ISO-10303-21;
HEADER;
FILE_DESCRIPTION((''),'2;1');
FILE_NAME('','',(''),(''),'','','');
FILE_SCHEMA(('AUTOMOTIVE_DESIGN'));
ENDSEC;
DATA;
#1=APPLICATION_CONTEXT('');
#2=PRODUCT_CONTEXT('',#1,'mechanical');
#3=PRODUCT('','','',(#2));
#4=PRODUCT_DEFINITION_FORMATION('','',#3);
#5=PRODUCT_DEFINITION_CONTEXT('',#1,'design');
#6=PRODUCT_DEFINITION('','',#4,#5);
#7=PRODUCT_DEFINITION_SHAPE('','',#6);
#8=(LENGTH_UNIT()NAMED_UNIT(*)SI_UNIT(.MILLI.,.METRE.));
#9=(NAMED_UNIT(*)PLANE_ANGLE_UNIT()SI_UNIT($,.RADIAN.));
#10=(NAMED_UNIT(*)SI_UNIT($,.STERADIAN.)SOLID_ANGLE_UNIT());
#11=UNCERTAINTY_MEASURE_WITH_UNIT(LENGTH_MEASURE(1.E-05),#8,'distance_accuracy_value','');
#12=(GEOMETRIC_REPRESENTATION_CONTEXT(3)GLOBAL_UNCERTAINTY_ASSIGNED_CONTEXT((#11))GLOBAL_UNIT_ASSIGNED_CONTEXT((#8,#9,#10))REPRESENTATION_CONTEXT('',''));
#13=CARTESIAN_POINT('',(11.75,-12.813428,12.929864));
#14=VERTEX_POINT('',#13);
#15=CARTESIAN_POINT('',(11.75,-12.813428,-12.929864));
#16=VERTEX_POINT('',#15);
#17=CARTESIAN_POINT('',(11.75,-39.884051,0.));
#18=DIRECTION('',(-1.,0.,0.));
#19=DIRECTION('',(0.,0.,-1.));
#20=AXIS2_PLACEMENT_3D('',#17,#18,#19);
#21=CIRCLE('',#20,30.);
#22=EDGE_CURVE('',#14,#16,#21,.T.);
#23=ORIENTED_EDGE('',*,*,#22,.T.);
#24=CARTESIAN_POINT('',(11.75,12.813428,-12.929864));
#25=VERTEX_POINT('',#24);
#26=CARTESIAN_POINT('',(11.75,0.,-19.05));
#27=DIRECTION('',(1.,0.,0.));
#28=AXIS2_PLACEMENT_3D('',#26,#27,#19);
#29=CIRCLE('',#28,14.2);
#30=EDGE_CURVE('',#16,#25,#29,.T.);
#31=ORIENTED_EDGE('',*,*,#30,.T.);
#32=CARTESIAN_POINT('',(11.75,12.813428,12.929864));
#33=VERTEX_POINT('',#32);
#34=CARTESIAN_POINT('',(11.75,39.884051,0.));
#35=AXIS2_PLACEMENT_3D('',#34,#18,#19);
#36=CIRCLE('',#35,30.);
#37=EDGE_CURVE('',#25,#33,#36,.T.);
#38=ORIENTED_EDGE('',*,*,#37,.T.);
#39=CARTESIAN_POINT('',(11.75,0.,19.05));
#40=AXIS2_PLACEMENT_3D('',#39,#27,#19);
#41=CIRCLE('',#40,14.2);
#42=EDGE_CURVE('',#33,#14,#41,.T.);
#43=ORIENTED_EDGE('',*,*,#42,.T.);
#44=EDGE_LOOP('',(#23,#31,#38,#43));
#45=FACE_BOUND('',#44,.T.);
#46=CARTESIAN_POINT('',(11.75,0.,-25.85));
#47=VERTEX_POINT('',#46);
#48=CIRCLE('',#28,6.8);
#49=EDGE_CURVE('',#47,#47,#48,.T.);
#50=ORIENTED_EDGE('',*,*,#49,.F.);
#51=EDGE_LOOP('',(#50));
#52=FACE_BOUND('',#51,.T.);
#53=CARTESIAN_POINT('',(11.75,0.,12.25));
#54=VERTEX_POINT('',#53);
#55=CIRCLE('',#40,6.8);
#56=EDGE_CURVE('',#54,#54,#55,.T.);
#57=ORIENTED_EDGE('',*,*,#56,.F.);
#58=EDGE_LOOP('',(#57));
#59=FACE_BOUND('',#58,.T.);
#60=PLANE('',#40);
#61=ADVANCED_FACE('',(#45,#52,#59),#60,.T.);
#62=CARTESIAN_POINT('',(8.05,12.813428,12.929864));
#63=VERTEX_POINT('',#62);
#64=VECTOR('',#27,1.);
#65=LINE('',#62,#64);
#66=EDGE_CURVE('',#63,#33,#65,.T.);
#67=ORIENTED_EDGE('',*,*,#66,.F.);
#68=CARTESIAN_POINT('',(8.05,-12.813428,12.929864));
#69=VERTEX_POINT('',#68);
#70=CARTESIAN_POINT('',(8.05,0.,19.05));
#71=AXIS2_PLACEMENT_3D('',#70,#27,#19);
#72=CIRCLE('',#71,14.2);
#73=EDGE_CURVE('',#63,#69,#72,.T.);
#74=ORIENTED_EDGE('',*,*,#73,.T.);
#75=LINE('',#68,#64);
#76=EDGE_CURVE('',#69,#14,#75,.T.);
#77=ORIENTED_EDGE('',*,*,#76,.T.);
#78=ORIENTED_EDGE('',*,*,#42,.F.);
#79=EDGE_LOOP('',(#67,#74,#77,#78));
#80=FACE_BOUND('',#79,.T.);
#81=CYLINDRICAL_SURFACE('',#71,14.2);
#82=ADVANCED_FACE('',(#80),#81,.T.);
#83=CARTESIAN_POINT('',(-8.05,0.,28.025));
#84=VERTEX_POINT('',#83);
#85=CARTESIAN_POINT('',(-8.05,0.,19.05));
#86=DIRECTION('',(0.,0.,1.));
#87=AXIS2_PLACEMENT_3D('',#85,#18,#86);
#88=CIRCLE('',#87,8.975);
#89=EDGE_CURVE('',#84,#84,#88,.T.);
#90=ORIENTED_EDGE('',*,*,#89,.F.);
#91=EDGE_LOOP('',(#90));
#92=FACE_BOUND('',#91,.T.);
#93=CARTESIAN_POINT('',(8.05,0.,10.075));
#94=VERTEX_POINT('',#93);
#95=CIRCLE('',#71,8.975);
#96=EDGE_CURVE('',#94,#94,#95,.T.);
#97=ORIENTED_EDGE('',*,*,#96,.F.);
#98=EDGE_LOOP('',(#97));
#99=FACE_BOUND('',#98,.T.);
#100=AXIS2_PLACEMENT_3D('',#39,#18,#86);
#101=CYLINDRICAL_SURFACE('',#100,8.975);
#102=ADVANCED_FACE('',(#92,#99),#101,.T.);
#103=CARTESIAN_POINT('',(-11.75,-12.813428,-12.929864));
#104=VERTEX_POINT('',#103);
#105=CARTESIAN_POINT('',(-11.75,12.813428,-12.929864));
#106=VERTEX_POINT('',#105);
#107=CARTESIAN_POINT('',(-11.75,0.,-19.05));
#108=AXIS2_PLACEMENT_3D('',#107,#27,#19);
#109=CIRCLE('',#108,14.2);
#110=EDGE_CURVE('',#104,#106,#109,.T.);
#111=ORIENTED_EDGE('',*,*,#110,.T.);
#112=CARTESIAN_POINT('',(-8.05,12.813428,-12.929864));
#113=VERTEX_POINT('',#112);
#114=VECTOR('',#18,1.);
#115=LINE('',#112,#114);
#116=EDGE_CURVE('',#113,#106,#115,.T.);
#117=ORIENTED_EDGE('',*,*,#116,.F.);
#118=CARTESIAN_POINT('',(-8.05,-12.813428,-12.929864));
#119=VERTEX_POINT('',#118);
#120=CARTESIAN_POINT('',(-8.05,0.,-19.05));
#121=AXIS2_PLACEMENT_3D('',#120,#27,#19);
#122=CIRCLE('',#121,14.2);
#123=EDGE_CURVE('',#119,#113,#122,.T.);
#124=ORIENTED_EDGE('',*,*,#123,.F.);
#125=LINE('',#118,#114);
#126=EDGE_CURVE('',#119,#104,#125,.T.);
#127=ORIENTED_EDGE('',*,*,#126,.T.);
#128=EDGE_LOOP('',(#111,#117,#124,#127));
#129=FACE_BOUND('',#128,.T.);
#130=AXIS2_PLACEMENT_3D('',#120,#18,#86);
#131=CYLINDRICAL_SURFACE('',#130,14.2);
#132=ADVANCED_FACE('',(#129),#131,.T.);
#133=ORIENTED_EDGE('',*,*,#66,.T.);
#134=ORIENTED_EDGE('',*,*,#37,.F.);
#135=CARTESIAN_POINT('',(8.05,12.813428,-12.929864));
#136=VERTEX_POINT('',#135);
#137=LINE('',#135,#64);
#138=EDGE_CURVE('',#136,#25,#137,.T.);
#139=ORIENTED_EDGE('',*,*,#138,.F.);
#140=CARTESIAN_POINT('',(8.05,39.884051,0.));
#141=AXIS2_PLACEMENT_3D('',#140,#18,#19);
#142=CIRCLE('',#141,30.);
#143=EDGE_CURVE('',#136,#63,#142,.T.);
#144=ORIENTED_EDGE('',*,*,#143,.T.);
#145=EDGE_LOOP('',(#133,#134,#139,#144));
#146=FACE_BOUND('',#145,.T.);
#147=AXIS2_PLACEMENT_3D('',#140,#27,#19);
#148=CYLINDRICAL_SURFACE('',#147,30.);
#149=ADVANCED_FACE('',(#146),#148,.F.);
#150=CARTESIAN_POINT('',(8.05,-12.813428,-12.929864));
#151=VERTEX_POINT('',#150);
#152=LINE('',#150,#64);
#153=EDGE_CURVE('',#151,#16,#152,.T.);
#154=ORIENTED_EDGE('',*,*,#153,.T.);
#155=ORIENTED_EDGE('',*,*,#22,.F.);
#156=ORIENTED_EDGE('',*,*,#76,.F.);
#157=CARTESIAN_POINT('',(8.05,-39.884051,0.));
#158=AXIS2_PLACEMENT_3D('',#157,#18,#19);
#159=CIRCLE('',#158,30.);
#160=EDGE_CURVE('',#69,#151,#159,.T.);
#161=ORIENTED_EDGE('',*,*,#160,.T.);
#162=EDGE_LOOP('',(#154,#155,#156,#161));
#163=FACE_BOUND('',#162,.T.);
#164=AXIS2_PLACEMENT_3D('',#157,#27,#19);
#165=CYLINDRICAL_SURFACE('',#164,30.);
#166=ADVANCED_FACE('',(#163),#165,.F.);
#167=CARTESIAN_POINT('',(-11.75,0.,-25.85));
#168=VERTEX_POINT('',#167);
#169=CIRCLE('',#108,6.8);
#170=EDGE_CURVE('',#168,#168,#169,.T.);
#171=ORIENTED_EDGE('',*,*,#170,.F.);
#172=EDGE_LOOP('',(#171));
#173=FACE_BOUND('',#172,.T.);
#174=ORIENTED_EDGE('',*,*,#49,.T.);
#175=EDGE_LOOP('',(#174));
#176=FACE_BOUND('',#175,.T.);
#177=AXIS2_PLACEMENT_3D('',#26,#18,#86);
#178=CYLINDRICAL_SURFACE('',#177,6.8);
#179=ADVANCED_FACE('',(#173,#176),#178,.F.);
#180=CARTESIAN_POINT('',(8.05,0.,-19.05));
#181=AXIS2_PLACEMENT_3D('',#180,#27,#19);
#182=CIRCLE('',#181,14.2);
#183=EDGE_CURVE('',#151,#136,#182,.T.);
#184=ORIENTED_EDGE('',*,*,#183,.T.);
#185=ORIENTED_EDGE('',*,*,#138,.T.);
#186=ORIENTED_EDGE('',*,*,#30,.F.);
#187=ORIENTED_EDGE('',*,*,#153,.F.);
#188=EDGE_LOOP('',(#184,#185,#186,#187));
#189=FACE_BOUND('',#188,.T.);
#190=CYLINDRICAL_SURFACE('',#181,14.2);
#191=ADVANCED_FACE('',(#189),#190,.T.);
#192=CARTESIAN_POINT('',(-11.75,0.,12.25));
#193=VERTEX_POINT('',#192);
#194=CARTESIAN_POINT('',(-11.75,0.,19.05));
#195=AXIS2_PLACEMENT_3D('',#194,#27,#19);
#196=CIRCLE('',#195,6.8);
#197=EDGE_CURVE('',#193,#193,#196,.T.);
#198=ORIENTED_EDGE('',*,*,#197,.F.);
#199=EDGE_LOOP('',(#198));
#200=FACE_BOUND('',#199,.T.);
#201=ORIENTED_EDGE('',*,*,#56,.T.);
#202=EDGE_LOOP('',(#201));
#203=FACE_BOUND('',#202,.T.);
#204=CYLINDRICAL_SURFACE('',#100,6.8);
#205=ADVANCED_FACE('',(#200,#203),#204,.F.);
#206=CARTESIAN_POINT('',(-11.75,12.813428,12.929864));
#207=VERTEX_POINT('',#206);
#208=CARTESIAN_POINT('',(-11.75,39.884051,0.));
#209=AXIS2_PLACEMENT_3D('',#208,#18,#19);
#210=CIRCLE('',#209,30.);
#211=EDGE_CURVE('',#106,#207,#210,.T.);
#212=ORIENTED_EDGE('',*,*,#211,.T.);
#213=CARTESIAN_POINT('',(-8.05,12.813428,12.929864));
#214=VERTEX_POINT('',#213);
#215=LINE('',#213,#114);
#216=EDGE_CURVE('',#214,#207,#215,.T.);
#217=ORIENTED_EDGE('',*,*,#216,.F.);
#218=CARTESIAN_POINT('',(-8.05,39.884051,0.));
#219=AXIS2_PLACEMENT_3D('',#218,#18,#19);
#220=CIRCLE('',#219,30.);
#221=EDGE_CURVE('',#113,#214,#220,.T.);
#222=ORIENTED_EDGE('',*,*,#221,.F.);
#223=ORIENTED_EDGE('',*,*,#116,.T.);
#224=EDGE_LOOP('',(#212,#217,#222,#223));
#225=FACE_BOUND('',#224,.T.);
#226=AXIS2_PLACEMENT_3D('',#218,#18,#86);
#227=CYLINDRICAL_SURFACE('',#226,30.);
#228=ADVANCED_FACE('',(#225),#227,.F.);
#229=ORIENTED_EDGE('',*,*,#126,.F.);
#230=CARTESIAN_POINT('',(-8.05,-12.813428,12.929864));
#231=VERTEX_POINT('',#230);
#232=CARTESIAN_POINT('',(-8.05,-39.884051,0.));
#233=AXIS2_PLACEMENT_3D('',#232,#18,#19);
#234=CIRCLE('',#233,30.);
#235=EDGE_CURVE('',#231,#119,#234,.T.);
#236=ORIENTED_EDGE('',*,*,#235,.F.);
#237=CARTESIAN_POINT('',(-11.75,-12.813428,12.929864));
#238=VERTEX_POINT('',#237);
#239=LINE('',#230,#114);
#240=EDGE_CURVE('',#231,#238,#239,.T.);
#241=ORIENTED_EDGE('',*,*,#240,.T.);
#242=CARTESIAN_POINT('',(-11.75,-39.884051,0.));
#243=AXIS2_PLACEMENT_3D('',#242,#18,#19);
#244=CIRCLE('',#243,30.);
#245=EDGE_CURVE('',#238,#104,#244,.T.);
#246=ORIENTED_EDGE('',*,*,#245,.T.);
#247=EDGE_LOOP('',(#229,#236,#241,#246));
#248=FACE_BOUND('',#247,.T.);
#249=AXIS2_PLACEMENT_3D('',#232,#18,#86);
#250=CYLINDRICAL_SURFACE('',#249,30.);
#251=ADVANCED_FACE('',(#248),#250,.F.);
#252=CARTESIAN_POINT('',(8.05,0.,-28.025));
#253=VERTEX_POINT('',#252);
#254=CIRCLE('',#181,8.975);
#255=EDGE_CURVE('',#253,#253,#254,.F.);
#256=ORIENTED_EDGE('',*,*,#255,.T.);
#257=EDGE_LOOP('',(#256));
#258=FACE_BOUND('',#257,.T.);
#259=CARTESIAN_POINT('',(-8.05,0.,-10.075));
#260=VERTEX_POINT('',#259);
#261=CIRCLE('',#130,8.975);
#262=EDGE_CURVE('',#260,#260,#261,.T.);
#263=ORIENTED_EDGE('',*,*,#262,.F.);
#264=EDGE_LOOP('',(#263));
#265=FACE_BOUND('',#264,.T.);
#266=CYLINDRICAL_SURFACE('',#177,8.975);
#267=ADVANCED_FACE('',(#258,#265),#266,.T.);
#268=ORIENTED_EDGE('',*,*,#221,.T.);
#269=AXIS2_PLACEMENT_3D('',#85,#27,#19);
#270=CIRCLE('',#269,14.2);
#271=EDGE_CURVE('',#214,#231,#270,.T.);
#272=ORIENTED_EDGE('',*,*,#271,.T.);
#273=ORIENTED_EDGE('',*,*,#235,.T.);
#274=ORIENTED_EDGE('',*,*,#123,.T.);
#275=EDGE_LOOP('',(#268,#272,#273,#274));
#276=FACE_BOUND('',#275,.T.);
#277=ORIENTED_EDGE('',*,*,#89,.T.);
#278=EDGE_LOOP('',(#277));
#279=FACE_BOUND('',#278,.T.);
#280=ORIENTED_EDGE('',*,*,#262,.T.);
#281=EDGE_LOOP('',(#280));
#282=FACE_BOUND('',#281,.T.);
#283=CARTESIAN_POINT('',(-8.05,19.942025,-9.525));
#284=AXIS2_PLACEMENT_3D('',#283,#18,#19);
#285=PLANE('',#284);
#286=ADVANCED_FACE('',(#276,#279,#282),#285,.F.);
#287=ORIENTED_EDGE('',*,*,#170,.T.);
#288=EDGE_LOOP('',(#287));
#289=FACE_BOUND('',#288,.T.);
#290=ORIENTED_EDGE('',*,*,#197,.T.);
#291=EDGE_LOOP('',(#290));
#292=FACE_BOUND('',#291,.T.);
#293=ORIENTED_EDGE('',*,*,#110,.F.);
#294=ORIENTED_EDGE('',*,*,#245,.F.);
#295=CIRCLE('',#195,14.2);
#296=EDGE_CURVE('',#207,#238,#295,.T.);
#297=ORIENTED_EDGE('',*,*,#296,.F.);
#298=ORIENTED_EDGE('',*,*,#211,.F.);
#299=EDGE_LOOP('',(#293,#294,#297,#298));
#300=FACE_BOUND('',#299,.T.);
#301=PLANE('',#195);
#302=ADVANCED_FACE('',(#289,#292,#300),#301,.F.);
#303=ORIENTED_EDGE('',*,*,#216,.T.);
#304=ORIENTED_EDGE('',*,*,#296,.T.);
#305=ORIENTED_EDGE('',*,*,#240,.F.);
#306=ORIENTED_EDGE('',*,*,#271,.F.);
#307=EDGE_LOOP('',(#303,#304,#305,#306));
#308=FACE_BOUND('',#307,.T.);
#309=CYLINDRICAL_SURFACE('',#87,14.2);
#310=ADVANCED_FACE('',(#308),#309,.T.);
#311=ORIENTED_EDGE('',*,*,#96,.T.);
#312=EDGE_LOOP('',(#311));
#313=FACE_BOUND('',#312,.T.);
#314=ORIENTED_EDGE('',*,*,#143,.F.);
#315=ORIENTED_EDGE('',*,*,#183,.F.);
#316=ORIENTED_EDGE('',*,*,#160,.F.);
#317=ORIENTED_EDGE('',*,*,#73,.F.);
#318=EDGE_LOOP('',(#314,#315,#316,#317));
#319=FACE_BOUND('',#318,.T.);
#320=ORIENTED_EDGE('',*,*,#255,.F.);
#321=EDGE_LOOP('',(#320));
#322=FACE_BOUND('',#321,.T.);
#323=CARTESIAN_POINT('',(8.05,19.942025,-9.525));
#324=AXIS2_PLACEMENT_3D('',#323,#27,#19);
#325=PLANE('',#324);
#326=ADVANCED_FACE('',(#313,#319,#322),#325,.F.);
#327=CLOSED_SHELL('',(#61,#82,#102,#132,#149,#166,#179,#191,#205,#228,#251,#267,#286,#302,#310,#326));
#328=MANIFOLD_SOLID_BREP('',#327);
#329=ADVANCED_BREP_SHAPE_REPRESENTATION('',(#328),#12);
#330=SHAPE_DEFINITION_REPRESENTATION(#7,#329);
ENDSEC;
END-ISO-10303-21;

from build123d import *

# Parameters (mm, degrees)
SKETCH_1_R        = 8.975
SKETCH_1_R_2      = 6.8
EXTRUDE_1_DEPTH   = 11.75
EXTRUDE_1_2_DEPTH = 11.75
SKETCH_3_R        = 8.975
EXTRUDE_4_DEPTH   = 3.7


with BuildPart() as part:
    # Эскиз1 → Бобышка-Вытянуть1 (new, symmetric)
    with BuildSketch(Plane(origin=(0, 0, 0), x_dir=(0, 0, -1), z_dir=(1, 0, 0))):
        with Locations((-19.05, 0)):
            Circle(SKETCH_1_R)
        with Locations((-19.05, 0)):
            Circle(SKETCH_1_R_2, mode=Mode.SUBTRACT)
    extrude(amount=EXTRUDE_1_DEPTH, both=True)



with BuildPart() as body_2:
    # Эскиз1 → Extrude 1 2 (new, symmetric)
    with BuildSketch(Plane(origin=(0, 0, 0), x_dir=(0, 0, -1), z_dir=(1, 0, 0))):
        with Locations((19.05, 0)):
            Circle(SKETCH_1_R)
        with Locations((19.05, 0)):
            Circle(SKETCH_1_R_2, mode=Mode.SUBTRACT)
    extrude(amount=EXTRUDE_1_2_DEPTH, both=True)


with BuildPart() as part_1:
    add(part.part)

    add(body_2.part)  # Бобышка-Вытянуть4 merges body 2
    # Эскиз3 → Бобышка-Вытянуть4 (add)
    with BuildSketch(Plane(origin=(11.75, 0, 0), x_dir=(0, 0, -1), z_dir=(1, 0, 0))):
        with BuildLine():
            ThreePointArc((12.929864253, -12.813428052), (33.25, 0), (12.929864253, 12.813428052))
            ThreePointArc((12.929864253, 12.813428052), (0, 9.884050697), (-12.929864253, 12.813428052))
            ThreePointArc((-12.929864253, 12.813428052), (-33.25, 0), (-12.929864253, -12.813428052))
            ThreePointArc((-12.929864253, -12.813428052), (0, -9.884050697), (12.929864253, -12.813428052))
        make_face()
        with Locations((-19.05, 0)):
            Circle(SKETCH_3_R, mode=Mode.SUBTRACT)
        with Locations((19.05, 0)):
            Circle(SKETCH_3_R, mode=Mode.SUBTRACT)
    extrude_4 = extrude(amount=-EXTRUDE_4_DEPTH)

    # Зеркальное отражение10: Бобышка-Вытянуть4 across plane
    add(extrude_4.mirror(Plane(origin=(0, 0, 0), x_dir=(0, 0, 1), z_dir=(1, 0, 0))))


solid = part_1.part
